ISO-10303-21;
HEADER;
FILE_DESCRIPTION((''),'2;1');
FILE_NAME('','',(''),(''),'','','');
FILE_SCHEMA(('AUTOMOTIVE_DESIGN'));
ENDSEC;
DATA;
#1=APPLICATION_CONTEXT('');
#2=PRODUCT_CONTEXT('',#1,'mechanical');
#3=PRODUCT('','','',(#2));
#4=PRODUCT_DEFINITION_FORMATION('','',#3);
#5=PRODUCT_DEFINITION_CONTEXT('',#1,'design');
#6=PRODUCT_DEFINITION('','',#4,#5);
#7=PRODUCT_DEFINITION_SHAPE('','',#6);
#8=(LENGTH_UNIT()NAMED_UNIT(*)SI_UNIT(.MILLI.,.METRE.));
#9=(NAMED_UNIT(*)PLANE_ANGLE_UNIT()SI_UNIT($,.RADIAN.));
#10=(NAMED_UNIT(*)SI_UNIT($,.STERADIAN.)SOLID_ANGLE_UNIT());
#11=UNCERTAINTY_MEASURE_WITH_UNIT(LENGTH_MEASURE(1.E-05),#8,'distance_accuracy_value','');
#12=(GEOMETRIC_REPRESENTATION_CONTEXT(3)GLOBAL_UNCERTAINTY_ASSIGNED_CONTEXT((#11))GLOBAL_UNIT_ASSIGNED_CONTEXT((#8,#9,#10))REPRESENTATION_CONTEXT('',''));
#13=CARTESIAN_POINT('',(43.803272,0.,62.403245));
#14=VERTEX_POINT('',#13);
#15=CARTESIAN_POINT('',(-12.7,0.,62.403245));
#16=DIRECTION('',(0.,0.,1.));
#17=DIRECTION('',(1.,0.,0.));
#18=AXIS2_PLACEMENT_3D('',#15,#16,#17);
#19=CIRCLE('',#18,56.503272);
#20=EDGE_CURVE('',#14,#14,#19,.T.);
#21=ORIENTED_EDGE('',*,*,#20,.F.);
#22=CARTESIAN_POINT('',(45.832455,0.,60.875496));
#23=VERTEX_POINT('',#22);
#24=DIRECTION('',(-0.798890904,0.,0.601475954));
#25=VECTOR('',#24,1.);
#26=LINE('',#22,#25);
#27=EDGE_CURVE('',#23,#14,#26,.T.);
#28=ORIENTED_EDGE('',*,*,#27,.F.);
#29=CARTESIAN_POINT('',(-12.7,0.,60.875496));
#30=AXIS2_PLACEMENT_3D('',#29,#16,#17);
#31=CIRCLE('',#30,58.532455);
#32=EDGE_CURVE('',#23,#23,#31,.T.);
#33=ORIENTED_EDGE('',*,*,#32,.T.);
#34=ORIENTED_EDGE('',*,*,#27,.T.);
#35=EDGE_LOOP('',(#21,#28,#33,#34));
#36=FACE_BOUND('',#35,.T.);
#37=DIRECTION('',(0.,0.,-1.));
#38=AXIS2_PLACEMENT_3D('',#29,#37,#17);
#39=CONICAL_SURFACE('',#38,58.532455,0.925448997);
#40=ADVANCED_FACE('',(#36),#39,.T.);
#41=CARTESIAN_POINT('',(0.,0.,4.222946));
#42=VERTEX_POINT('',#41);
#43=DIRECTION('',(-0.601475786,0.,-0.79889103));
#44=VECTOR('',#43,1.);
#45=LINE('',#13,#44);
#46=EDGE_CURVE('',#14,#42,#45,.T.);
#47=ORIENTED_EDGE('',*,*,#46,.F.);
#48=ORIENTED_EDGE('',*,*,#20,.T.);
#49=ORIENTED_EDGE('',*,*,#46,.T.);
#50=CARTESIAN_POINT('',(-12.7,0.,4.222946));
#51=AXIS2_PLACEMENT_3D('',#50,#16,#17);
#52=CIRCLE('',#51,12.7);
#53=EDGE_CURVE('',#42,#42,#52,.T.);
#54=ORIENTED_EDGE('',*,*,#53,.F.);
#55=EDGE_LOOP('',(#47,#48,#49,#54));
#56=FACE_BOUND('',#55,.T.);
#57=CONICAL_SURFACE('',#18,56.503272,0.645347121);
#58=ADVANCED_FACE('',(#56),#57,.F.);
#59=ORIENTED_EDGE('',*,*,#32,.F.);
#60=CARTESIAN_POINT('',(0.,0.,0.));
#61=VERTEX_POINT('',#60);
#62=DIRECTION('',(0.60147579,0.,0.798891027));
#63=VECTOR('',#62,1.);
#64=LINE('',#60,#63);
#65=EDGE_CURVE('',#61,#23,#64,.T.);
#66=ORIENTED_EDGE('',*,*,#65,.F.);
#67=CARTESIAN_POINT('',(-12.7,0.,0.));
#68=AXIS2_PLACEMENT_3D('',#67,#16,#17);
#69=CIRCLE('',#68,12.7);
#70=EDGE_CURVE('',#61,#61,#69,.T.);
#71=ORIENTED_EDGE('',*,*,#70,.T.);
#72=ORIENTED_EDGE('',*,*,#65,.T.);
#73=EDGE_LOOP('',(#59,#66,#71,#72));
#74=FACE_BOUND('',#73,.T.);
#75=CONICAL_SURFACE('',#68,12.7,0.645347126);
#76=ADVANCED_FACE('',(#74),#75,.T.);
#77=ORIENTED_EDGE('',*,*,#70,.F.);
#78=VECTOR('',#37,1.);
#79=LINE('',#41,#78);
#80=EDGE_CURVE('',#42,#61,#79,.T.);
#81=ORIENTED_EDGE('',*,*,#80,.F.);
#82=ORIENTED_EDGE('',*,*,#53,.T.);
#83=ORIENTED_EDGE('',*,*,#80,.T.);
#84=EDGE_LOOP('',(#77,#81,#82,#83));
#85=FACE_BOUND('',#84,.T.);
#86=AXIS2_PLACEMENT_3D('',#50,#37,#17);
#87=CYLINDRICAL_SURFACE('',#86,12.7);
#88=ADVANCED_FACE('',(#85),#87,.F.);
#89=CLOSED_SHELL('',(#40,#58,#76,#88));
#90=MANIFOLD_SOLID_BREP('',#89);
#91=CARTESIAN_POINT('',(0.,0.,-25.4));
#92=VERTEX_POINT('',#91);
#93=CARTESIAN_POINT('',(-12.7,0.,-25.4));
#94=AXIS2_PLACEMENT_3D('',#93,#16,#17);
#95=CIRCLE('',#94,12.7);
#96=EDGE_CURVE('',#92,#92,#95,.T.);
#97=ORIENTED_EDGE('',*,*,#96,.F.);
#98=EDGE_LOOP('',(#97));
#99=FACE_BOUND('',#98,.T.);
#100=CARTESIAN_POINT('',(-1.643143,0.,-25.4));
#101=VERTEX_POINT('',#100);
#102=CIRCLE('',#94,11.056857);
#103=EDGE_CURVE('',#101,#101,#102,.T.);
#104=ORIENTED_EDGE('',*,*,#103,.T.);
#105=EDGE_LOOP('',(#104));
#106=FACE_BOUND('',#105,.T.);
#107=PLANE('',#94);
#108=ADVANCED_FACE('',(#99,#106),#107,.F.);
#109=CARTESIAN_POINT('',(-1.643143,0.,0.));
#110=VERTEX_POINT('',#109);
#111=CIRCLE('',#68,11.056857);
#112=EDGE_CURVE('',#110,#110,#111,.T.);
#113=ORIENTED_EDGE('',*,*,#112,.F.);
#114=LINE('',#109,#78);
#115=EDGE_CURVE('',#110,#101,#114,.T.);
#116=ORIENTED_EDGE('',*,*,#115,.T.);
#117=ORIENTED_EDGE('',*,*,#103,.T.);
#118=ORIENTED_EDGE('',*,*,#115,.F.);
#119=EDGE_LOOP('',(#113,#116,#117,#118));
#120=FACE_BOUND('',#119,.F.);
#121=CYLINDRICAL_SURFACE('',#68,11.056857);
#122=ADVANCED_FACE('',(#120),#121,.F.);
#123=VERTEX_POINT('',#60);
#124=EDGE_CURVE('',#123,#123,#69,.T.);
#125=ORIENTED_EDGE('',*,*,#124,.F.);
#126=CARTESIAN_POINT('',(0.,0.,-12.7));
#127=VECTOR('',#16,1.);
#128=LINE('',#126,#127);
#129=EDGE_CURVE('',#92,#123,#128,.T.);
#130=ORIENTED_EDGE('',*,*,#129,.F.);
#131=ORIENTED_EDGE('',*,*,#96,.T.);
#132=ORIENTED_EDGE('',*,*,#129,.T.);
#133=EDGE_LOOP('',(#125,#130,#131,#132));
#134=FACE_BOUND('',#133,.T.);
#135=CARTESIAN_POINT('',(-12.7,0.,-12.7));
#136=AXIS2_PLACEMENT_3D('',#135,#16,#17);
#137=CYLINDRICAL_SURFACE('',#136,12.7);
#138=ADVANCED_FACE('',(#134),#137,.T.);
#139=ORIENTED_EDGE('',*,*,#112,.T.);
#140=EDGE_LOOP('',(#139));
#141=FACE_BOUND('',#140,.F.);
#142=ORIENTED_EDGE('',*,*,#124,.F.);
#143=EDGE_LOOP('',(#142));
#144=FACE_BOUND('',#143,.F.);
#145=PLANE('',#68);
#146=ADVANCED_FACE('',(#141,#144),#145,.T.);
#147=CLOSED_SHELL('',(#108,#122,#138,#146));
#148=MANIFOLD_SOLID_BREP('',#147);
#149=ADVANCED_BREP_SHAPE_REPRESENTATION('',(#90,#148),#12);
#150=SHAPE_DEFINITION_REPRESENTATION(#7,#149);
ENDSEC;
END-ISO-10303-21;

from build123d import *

# Parameters (mm, degrees)
F0_W     = 12.7
F0_H     = 25.4
F2_R     = 11.056857
F3_DEPTH = 25.4


with BuildPart() as f1:
    # F0 (on Front) → F1 (revolve)
    with BuildSketch(Plane.XZ):
        Polygon((0, 4.222946), (0, 0), (45.832455, 60.875496), (43.803272, 62.403245), align=None)
        with Locations((-6.35, -12.7)):
            Rectangle(F0_W, F0_H)
    revolve(axis=Axis((-12.7, 0, -12.7), (0, 0, 1)))

    # F2 (on face) → F3 (cut)
    with BuildSketch(Plane.XY):
        with Locations((-12.7, 0)):
            Circle(F2_R)
    extrude(amount=-F3_DEPTH, mode=Mode.SUBTRACT)


solid = f1.part
